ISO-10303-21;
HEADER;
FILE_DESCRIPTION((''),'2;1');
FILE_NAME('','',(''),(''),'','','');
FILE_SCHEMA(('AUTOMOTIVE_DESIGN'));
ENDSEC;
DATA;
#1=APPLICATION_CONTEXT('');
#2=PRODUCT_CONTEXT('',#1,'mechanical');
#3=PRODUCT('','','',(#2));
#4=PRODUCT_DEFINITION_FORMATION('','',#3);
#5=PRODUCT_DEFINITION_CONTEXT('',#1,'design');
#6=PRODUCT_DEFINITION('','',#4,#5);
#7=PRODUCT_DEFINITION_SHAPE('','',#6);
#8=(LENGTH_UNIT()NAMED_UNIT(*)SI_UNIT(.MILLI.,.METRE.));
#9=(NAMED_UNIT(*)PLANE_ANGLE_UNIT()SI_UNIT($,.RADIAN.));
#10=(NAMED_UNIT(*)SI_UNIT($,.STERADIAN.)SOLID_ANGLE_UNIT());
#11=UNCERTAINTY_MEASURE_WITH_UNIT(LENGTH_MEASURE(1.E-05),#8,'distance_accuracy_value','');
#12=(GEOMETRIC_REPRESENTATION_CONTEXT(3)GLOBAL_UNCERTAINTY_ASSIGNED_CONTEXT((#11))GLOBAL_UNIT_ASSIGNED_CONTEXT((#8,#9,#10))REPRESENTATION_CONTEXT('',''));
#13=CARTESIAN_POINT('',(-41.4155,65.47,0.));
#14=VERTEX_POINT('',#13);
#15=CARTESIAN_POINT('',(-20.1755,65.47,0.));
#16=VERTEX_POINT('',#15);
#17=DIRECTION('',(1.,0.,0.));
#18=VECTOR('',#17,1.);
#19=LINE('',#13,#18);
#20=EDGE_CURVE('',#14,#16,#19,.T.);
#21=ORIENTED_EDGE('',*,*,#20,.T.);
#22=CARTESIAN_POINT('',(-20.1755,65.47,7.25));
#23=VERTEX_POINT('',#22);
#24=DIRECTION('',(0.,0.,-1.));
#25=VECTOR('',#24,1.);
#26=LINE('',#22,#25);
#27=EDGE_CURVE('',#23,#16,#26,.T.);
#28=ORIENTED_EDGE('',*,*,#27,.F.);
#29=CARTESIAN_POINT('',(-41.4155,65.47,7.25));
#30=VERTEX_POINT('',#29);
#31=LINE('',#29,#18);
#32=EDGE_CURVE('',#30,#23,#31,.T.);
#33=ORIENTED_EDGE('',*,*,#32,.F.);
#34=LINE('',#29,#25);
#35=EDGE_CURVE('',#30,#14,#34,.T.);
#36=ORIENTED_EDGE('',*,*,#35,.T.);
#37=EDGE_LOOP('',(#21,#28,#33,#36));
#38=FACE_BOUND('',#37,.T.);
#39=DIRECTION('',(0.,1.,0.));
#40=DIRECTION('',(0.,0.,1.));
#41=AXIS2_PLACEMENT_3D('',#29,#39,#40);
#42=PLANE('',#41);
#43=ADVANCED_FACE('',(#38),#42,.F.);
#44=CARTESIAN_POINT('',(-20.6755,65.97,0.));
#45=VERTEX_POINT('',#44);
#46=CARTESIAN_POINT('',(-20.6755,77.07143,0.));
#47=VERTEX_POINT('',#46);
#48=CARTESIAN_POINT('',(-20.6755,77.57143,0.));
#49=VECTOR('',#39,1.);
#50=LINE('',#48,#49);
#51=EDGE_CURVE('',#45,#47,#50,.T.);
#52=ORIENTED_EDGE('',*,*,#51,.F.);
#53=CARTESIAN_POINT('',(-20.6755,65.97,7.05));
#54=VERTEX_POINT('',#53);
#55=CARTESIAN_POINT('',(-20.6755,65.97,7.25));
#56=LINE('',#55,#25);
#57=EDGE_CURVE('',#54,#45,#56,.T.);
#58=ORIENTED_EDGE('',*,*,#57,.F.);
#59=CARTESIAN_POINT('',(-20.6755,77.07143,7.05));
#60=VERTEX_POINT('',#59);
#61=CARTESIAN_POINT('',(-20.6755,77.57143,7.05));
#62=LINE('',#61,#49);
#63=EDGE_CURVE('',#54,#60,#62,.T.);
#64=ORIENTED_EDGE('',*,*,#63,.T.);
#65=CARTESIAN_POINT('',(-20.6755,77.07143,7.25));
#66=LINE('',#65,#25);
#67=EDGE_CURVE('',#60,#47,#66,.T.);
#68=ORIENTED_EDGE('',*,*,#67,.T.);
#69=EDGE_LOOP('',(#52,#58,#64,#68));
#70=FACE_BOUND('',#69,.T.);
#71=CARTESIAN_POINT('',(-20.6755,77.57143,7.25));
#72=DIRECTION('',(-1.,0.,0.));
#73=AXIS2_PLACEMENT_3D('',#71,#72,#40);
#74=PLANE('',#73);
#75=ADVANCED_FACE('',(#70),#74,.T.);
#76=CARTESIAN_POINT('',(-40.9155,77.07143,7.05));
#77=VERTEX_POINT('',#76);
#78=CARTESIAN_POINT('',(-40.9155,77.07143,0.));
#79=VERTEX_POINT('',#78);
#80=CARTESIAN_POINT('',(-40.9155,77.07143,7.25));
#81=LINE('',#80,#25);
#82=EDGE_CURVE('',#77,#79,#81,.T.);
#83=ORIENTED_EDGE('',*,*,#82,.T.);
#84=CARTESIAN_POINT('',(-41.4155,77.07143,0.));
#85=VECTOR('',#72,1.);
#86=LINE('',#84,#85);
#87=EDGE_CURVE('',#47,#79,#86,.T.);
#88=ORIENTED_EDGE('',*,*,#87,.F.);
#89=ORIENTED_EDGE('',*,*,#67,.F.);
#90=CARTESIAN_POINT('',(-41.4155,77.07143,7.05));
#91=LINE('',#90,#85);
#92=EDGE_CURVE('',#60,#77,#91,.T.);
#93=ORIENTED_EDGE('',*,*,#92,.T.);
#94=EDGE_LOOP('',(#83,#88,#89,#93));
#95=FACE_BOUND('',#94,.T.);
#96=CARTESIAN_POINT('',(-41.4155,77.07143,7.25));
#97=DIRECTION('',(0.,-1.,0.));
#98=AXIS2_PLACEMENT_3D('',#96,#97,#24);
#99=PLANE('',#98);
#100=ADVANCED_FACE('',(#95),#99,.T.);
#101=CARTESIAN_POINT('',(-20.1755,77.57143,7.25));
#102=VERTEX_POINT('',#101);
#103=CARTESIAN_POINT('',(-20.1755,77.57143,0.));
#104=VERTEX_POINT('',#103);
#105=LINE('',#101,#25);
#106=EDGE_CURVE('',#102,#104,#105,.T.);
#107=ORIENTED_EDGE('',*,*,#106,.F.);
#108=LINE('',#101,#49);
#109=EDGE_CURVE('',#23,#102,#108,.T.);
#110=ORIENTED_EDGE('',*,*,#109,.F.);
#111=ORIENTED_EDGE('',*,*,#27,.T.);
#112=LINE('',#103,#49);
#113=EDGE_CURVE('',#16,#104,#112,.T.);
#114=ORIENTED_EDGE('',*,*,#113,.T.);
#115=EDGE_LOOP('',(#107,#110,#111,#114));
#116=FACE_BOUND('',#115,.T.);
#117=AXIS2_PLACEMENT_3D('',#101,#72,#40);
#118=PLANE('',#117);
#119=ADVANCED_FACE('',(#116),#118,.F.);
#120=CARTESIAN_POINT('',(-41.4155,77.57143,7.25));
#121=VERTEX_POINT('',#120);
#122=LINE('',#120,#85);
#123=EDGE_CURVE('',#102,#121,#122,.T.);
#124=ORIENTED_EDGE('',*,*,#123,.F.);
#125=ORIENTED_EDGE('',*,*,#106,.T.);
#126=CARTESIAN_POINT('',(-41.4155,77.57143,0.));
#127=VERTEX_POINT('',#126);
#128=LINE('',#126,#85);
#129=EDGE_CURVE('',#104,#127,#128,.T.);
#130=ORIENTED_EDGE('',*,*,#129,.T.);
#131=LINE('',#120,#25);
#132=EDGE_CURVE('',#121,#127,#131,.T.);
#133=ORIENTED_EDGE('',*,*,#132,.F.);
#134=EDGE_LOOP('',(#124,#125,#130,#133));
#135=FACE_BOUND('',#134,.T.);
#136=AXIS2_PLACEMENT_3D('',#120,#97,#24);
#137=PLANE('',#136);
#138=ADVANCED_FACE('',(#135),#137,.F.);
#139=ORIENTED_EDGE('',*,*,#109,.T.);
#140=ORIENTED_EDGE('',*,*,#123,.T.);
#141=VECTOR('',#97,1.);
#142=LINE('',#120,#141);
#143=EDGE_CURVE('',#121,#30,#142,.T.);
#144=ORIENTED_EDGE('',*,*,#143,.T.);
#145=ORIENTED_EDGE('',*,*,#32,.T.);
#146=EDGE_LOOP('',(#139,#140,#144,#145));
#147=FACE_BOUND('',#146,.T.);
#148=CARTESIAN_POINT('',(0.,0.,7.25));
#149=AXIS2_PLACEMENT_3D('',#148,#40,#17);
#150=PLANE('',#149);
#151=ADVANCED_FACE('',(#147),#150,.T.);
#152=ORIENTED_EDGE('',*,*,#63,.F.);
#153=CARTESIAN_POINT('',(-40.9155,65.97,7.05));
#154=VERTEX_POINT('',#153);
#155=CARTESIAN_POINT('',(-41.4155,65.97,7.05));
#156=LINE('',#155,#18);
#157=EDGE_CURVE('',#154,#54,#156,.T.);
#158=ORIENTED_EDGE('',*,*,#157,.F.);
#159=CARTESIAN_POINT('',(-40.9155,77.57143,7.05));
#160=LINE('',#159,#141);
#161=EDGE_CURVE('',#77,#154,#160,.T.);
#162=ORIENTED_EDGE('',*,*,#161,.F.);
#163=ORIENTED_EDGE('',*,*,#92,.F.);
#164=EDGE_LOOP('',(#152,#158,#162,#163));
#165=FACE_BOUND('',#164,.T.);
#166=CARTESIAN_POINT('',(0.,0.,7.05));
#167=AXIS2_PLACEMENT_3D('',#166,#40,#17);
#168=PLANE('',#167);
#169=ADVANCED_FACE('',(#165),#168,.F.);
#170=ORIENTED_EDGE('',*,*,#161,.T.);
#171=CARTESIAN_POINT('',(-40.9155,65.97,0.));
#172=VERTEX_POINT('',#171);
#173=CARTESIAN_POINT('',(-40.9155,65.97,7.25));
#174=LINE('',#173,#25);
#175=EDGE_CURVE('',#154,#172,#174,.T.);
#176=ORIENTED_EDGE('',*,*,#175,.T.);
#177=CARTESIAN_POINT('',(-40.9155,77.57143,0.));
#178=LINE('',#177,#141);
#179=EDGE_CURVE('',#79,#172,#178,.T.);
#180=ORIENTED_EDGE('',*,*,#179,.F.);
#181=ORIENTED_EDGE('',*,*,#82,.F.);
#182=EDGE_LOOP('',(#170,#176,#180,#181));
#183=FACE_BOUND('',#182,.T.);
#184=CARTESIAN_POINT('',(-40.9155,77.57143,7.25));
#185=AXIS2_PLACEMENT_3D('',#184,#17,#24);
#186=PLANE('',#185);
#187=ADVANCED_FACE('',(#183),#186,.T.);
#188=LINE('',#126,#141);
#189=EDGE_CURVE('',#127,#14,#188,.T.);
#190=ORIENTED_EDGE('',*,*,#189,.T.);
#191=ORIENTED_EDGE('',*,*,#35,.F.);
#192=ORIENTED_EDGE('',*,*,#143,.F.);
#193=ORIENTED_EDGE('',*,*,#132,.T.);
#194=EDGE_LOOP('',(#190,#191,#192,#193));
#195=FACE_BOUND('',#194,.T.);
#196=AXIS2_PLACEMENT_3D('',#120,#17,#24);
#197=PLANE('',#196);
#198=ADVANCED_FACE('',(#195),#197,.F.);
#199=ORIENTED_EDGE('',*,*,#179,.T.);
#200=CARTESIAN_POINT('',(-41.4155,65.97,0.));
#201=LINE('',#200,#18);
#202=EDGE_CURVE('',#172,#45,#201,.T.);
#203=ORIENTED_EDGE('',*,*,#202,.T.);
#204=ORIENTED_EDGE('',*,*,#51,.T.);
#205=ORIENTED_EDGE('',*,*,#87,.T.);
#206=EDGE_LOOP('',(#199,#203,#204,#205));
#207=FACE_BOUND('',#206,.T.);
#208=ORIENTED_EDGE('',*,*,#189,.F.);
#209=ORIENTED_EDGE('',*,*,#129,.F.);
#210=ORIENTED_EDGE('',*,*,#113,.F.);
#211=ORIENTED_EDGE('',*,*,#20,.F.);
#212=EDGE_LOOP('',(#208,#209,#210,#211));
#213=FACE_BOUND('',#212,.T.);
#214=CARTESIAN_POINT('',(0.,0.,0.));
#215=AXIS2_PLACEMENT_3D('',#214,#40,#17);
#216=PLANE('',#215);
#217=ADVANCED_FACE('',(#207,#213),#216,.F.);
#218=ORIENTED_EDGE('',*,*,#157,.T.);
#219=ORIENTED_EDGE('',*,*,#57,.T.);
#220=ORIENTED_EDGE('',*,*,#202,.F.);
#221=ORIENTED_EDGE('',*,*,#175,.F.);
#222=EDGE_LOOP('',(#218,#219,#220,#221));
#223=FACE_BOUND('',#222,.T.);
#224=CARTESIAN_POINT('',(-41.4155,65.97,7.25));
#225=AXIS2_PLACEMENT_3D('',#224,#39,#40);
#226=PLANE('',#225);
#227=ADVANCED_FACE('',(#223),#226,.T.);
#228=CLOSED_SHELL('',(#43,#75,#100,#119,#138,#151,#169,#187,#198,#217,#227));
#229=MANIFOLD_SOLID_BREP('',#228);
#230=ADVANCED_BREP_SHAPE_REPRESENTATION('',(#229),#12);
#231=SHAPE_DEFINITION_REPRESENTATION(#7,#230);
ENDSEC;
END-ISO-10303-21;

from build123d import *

# Parameters (mm, degrees)
SKETCH1_W                 = 21.24
SKETCH1_H                 = 12.101430126
BOSS_EXTRUDE1_DEPTH       = 7.25
SHELL1_T                  = -0.5
SHELL1_THICKNESS_2_FACE_W = 20.24
SHELL1_THICKNESS_2_FACE_H = 11.101430126
SHELL1_THICKNESS_2_DEPTH  = 0.3


with BuildPart() as part:
    # Sketch1 → Boss-Extrude1 (new body)
    with BuildSketch(Plane.XY):
        with Locations((-30.7955, 71.520715063)):
            Rectangle(SKETCH1_W, SKETCH1_H)
    extrude(amount=BOSS_EXTRUDE1_DEPTH)

    # Shell1
    shell1_openings = [part.faces().sort_by_distance(p)[0] for p in [
        (-30.7955, 71.520715063, 0),
    ]]
    offset(amount=SHELL1_T, openings=shell1_openings, kind=Kind.INTERSECTION)

    # Shell1 thickness 2 face (on inner face of the shell) → Shell1 thickness 2 (cut)
    with BuildSketch(Plane(origin=(-30.7955, 71.520715063, 6.75), x_dir=(1, 0, 0), z_dir=(0, 0, 1))):
        Rectangle(SHELL1_THICKNESS_2_FACE_W, SHELL1_THICKNESS_2_FACE_H)
    extrude(amount=SHELL1_THICKNESS_2_DEPTH, mode=Mode.SUBTRACT)


solid = part.part
